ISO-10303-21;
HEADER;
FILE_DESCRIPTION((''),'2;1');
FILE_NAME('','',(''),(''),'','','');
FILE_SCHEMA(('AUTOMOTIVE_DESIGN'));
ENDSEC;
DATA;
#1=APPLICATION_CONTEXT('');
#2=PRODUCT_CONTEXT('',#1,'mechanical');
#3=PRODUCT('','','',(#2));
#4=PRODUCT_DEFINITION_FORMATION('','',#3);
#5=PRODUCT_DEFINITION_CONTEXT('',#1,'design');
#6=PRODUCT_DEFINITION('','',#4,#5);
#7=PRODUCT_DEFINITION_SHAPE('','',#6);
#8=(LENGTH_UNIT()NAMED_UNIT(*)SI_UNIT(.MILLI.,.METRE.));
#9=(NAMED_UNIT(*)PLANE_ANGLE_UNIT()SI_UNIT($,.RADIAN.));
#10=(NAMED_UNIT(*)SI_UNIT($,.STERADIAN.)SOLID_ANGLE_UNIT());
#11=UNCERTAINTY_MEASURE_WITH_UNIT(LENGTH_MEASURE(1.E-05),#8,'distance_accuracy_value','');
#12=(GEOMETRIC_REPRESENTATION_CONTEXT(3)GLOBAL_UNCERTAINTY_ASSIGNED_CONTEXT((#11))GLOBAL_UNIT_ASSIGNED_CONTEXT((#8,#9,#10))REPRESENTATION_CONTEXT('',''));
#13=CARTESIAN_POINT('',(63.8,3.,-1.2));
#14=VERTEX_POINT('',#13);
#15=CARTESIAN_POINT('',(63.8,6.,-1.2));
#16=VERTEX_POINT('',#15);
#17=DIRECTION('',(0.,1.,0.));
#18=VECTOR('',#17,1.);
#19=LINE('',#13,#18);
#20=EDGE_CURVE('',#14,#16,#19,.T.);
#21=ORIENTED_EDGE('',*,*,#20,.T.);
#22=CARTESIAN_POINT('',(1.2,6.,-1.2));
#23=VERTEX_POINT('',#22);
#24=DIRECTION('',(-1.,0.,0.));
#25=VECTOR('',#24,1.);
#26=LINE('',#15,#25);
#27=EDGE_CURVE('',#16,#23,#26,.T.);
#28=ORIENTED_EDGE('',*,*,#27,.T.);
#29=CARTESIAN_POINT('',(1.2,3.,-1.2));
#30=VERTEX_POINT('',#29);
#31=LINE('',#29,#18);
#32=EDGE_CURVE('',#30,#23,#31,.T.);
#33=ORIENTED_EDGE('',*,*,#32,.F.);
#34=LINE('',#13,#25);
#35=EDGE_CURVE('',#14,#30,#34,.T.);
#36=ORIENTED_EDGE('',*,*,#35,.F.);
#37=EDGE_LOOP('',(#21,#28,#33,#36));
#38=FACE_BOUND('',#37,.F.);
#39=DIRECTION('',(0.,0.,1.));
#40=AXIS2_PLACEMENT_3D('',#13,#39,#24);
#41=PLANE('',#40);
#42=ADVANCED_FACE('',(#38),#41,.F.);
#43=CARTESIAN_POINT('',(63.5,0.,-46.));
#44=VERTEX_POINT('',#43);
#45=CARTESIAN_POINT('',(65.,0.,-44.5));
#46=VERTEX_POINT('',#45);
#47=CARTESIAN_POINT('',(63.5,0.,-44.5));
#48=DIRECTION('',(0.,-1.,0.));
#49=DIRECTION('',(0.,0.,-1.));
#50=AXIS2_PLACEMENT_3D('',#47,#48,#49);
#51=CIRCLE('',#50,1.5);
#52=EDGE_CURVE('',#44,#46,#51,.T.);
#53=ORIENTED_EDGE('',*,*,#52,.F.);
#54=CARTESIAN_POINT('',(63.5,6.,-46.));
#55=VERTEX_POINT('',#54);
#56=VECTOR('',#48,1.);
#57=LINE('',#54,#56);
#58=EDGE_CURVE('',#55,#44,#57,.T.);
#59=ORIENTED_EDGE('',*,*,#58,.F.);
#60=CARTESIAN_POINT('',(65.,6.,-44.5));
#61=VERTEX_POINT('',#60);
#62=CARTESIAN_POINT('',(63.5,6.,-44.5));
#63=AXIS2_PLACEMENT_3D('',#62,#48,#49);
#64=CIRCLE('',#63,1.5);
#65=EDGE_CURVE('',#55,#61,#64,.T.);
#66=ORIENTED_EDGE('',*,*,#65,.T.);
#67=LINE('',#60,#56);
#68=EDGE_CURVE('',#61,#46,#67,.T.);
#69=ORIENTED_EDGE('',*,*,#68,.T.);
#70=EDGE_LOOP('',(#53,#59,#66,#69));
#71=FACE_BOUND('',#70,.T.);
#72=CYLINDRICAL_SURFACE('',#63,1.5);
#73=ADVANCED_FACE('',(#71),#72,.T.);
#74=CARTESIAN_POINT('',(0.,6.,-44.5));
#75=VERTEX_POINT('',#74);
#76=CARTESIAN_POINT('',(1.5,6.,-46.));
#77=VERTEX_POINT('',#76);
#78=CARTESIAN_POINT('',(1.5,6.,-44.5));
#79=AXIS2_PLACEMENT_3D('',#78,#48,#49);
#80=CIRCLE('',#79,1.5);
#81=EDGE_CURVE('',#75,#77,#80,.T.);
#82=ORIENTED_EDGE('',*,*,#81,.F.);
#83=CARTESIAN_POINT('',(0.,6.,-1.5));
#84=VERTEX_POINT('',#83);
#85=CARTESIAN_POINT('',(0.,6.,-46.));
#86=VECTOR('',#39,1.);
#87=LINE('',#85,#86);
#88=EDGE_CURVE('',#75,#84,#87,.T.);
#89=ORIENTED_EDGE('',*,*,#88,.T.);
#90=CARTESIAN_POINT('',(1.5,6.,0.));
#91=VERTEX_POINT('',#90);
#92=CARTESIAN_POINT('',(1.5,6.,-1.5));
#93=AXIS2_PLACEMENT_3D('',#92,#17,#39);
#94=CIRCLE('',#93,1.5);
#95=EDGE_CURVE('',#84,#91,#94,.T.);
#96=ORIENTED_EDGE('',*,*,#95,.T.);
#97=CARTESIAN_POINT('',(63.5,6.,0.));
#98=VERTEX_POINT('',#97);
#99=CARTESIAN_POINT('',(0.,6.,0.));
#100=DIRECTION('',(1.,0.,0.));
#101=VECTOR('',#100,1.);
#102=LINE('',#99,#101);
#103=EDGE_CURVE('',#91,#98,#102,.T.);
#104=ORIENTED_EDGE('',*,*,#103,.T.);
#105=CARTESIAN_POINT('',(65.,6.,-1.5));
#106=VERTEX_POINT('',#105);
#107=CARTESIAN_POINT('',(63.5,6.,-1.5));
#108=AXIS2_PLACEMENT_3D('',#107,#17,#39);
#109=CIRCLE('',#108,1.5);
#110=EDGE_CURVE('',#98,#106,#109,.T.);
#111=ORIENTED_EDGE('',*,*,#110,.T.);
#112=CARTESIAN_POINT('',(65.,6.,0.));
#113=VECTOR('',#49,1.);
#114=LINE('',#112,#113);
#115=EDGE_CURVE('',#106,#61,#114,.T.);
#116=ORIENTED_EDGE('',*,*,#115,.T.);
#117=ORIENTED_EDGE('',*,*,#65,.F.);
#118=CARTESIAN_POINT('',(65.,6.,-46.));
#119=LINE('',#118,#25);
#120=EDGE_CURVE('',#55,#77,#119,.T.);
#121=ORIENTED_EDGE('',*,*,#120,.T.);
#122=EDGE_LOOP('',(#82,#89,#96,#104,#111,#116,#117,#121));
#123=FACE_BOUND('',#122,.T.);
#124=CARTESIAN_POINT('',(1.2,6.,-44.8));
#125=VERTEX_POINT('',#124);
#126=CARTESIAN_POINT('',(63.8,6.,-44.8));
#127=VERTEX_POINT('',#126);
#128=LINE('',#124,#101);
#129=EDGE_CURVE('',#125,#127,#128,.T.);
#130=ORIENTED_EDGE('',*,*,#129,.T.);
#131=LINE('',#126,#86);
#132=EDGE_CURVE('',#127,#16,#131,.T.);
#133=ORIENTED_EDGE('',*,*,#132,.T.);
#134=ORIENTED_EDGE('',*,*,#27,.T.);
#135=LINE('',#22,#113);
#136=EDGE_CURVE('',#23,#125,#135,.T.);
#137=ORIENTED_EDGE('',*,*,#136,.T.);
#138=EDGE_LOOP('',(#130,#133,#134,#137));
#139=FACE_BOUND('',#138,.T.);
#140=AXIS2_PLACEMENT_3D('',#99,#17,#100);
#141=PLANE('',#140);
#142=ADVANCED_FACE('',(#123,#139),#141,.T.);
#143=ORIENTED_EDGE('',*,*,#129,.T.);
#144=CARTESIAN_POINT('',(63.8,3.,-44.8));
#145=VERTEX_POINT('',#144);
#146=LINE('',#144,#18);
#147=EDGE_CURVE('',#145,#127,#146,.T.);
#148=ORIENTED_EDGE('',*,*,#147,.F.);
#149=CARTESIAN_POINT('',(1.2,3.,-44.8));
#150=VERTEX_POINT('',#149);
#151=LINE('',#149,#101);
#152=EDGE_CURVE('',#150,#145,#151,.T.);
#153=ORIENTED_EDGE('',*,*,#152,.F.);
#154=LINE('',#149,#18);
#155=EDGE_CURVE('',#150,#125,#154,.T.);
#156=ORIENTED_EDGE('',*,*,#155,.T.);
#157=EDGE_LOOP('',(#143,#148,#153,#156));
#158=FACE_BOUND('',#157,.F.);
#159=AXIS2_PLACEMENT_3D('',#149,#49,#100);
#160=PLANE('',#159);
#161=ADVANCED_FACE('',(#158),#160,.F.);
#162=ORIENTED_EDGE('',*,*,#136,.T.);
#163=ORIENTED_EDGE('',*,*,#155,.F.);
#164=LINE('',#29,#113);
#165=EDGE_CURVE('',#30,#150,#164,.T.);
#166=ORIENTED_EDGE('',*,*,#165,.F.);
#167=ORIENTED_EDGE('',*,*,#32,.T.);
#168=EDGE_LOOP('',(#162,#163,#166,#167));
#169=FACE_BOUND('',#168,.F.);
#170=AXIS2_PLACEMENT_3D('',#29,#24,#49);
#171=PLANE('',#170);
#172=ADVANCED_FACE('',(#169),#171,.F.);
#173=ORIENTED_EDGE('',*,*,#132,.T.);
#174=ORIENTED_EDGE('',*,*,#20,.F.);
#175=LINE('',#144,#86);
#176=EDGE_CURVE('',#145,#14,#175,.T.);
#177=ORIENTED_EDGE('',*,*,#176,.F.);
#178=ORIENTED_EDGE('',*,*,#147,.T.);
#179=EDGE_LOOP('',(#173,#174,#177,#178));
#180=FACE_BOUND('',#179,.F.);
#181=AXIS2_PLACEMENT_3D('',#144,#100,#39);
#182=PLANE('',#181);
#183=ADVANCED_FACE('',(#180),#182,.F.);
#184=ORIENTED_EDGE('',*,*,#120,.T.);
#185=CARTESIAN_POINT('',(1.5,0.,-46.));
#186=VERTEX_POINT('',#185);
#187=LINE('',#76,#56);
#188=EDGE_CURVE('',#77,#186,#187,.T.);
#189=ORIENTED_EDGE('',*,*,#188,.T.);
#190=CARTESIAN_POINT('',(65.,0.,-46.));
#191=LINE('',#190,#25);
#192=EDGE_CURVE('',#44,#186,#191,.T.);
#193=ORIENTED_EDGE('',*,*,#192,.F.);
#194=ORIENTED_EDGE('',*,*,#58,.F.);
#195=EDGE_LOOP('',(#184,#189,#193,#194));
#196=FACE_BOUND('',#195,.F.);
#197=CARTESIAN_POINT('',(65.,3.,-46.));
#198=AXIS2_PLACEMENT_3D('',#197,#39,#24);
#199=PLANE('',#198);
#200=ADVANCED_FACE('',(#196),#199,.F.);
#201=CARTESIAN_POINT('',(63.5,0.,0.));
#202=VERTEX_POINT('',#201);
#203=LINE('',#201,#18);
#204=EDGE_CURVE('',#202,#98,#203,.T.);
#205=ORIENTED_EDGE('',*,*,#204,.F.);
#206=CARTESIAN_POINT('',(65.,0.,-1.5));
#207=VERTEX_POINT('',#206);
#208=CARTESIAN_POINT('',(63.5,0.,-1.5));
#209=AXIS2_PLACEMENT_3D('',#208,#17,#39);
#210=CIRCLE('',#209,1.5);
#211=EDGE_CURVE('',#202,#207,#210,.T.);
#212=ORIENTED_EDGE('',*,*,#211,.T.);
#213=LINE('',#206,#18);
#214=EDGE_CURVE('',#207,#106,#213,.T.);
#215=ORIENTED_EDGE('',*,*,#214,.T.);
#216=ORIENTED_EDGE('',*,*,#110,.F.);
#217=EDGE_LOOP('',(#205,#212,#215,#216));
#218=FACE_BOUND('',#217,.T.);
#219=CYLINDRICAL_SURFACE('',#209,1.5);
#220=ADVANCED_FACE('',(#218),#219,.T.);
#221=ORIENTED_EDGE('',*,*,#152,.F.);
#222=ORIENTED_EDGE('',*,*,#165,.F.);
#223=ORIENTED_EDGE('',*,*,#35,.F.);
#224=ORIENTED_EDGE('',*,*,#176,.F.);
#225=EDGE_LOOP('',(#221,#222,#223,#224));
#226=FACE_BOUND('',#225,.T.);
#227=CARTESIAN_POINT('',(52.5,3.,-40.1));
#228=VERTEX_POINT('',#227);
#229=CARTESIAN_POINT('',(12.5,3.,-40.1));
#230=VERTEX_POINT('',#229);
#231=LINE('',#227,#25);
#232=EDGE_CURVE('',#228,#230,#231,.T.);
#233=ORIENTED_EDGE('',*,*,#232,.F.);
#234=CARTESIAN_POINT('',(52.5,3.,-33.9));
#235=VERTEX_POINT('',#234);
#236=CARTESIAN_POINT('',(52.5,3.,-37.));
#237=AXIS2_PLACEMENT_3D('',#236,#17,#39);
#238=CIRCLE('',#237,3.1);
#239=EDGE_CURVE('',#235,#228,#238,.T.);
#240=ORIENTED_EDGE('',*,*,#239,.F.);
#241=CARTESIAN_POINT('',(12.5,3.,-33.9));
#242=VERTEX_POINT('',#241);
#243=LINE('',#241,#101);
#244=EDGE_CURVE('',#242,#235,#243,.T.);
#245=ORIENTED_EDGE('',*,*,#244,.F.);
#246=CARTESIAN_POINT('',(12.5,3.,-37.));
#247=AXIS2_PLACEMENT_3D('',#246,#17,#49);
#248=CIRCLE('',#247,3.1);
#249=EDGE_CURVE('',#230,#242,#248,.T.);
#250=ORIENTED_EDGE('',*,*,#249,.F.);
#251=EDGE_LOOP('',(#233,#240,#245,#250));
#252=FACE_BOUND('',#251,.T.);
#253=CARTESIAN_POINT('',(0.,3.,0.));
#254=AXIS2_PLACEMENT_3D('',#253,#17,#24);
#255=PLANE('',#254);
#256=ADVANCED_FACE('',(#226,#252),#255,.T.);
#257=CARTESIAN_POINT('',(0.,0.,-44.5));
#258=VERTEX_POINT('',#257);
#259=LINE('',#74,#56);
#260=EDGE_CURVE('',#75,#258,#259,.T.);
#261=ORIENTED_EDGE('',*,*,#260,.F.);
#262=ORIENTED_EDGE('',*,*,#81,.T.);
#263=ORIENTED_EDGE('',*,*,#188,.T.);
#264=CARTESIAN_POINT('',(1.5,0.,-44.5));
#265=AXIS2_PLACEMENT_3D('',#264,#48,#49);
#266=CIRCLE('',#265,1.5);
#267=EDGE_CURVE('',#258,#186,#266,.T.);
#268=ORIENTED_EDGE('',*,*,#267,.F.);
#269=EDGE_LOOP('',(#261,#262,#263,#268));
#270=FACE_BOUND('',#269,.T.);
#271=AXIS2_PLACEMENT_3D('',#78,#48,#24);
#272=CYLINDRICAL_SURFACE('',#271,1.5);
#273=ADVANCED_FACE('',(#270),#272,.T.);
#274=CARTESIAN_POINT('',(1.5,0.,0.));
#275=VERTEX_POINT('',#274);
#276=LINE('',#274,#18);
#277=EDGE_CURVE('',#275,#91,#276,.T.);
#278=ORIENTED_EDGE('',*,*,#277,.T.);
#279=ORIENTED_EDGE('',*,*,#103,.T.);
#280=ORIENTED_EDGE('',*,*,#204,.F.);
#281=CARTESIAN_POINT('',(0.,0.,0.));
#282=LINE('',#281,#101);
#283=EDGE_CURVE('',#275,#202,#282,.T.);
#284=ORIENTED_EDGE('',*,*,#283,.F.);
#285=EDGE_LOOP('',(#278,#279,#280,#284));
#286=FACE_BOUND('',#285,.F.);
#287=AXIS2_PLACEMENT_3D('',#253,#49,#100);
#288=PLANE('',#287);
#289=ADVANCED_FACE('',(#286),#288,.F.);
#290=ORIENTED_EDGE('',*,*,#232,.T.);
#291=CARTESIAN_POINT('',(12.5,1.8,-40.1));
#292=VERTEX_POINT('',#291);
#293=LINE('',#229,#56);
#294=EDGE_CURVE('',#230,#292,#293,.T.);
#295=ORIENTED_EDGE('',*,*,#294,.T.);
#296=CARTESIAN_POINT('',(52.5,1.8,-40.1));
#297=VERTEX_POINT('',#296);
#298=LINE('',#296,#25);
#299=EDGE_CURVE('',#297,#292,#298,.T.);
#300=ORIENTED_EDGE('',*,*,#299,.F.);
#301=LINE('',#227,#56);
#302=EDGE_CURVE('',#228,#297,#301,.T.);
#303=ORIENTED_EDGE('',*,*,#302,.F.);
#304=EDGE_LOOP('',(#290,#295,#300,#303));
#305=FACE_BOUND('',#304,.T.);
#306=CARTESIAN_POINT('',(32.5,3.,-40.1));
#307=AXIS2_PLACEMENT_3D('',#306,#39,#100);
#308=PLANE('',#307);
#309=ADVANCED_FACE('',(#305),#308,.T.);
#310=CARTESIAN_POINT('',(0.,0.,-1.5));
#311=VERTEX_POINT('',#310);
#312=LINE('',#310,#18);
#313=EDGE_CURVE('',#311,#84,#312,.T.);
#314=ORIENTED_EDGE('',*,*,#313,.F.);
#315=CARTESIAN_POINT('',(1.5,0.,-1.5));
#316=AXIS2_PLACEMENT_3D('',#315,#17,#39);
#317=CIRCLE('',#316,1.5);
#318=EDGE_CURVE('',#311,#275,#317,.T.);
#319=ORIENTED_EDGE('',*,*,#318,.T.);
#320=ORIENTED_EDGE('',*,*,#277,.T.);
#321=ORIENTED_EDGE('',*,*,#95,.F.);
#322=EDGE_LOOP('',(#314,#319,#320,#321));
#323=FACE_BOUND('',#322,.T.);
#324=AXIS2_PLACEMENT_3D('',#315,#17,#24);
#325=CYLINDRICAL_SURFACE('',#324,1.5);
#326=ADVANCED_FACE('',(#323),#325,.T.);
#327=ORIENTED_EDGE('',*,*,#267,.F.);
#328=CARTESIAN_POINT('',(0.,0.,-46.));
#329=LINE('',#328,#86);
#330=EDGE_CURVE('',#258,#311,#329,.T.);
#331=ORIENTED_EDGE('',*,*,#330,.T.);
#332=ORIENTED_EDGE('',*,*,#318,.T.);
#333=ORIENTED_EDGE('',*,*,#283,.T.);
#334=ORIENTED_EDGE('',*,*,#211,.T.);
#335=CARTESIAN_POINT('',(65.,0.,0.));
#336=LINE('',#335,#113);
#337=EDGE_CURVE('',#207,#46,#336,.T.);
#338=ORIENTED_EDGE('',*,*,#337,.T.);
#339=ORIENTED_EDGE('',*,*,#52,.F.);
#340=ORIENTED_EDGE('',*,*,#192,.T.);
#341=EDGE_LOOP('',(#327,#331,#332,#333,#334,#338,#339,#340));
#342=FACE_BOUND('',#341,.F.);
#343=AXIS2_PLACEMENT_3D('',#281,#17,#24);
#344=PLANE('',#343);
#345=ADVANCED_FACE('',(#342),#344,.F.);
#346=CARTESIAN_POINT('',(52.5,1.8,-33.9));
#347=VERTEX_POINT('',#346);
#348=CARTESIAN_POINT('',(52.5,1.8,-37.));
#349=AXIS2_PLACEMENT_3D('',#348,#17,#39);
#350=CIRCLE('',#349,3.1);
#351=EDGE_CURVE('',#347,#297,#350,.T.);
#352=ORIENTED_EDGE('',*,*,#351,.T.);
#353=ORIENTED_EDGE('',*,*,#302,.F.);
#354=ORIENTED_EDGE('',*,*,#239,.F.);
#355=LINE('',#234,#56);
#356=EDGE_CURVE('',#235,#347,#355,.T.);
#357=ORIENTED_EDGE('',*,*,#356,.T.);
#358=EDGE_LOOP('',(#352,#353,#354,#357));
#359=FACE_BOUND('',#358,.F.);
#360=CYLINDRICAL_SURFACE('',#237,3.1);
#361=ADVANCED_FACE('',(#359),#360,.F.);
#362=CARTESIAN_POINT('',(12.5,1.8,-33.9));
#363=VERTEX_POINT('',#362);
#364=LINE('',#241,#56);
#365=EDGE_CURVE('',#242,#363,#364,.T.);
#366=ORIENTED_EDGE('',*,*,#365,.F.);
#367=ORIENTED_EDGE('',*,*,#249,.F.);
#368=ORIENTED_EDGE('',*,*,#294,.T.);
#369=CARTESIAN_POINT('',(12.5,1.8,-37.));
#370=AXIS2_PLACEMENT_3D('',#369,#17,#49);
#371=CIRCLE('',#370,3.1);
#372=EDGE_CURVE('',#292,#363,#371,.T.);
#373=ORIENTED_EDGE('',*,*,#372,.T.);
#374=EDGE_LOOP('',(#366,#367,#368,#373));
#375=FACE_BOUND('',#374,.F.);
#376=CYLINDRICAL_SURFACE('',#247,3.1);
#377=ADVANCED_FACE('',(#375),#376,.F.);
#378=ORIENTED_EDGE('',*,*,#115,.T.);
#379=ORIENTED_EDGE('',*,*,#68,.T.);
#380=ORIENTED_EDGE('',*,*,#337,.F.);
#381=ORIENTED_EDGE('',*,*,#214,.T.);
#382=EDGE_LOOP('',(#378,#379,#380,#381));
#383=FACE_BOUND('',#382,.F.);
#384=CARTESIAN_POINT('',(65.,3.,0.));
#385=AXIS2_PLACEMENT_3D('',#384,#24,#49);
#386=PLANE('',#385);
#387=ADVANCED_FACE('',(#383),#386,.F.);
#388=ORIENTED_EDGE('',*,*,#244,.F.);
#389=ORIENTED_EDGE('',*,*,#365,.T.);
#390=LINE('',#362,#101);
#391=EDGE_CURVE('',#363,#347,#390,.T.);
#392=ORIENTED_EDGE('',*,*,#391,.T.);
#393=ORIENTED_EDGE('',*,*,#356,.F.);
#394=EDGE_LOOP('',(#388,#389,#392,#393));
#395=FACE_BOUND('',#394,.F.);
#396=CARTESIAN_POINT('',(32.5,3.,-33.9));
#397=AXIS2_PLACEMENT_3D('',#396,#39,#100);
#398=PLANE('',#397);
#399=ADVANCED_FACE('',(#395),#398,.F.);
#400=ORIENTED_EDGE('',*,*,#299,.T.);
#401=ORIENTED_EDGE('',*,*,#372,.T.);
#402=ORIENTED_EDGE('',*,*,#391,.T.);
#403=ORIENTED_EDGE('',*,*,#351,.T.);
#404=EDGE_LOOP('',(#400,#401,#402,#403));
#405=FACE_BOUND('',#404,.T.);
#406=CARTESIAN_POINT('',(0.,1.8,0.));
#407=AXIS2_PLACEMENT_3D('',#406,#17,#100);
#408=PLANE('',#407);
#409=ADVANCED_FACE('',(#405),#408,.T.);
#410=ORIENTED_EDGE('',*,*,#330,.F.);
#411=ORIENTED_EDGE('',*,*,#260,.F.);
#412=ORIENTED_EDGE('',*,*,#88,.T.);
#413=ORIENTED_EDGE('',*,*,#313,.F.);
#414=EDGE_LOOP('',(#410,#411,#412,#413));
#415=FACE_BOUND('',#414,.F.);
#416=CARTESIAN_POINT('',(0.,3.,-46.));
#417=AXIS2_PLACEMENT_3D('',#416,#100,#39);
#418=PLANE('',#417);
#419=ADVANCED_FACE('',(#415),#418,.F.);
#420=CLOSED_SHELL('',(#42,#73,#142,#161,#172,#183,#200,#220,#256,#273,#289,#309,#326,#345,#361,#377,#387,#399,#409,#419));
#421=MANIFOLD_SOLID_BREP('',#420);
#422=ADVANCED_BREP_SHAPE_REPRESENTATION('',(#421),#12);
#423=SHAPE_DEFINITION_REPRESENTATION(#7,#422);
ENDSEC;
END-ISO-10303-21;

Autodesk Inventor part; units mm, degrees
sketch "Sketch1" plane through (0, 0, 0) normal (0, 1, 0) x (-1, 0, 0)
  point P0 (0, 0)
sketch "Sketch2" plane through (0, 0, 0) normal (0, 1, 0) x (-1, 0, 0)
  line L0 (0, 0) -> (-65, 0)
  line L1 (-65, 0) -> (-65, -46)
  line L2 (-65, -46) -> (0, -46)
  line L3 (0, -46) -> (0, 0)
  dimension "d0" = 65
  dimension "d1" = 46
extrude "Extrusion1" add sketch "Sketch2" along normal blind 3
sketch "Sketch3" plane through (0, 3, 0) normal (0, 1, 0) x (1, 0, 0)
  circle A0 centre (32.5, 37) radius 3.1
  line L0 (65, 46) -> (0, 46) projected
  line L1 (65, 0) -> (65, 46) projected
  line L2 (12.5, 40.1) -> (52.5, 40.1)
  line L3 (0, 46) -> (0, 0) projected
  line L4 (12.5, 33.9) -> (52.5, 33.9)
  arc A1 (12.5, 40.1) -> (12.5, 33.9) centre (12.5, 37) ccw
  arc A2 (52.5, 33.9) -> (52.5, 40.1) centre (52.5, 37) ccw
  point P0 (63.5, 46)
  point P1 (1.5, 46)
  point P2 (32.5, 46)
  point P3 (32.5, 46)
  point P4 (32.5, 46)
  point P5 (32.5, 40.1)
  point P6 (32.5, 40.1)
  point P7 (32.5, 33.9)
  dimension "d5" = 6.2
  dimension "d6" = 0
  dimension "d7" = 9
  dimension "d18" = 40
  dimension "d19" = 0
extrude "Extrusion2" cut sketch "Sketch3" against normal blind 1.2
sketch "Sketch6" plane through (0, 3, 0) normal (0, 1, 0) x (1, 0, 0)
  line L0 (0, 0) -> (65, 0) projected
  line L1 (65, 0) -> (65, 46) projected
  line L2 (0, 0) -> (65, 0)
  line L3 (65, 0) -> (65, 46)
  line L4 (65, 46) -> (0, 46)
  line L5 (0, 46) -> (0, 0)
  line L6 (1.2, 44.8) -> (63.8, 44.8)
  line L7 (63.8, 44.8) -> (63.8, 1.2)
  line L8 (63.8, 1.2) -> (1.2, 1.2)
  line L9 (1.2, 1.2) -> (1.2, 44.8)
  dimension "d13" = 1.2
extrude "Extrusion4" add sketch "Sketch6" along normal blind 3
fillet "Fillet2" radius 1.5 4 edges at (0, 3, 0) (65, 3, 0) (65, 3, -46) (0, 3, -46)
equation "\"d0\" = length + thickness"
equation "\"d1\" = width + thickness"
equation "\"d2\" = thickness"
equation "\"d5\" = mag_diameter"
equation "\"d8\" = mag_thickness"
equation "\"d13\" = 0.4 * thickness"
equation "\"d14\" = thickness"
equation "\"d16\" = 0.5 * thickness"
equation "\"length\" = 62"
equation "\"width\" = 43"
equation "\"thickness\" = 3"
equation "\"mag_thickness\" = 1.2"
equation "\"mag_diameter\" = 6.2"
properties part number "mag_case_v3"
